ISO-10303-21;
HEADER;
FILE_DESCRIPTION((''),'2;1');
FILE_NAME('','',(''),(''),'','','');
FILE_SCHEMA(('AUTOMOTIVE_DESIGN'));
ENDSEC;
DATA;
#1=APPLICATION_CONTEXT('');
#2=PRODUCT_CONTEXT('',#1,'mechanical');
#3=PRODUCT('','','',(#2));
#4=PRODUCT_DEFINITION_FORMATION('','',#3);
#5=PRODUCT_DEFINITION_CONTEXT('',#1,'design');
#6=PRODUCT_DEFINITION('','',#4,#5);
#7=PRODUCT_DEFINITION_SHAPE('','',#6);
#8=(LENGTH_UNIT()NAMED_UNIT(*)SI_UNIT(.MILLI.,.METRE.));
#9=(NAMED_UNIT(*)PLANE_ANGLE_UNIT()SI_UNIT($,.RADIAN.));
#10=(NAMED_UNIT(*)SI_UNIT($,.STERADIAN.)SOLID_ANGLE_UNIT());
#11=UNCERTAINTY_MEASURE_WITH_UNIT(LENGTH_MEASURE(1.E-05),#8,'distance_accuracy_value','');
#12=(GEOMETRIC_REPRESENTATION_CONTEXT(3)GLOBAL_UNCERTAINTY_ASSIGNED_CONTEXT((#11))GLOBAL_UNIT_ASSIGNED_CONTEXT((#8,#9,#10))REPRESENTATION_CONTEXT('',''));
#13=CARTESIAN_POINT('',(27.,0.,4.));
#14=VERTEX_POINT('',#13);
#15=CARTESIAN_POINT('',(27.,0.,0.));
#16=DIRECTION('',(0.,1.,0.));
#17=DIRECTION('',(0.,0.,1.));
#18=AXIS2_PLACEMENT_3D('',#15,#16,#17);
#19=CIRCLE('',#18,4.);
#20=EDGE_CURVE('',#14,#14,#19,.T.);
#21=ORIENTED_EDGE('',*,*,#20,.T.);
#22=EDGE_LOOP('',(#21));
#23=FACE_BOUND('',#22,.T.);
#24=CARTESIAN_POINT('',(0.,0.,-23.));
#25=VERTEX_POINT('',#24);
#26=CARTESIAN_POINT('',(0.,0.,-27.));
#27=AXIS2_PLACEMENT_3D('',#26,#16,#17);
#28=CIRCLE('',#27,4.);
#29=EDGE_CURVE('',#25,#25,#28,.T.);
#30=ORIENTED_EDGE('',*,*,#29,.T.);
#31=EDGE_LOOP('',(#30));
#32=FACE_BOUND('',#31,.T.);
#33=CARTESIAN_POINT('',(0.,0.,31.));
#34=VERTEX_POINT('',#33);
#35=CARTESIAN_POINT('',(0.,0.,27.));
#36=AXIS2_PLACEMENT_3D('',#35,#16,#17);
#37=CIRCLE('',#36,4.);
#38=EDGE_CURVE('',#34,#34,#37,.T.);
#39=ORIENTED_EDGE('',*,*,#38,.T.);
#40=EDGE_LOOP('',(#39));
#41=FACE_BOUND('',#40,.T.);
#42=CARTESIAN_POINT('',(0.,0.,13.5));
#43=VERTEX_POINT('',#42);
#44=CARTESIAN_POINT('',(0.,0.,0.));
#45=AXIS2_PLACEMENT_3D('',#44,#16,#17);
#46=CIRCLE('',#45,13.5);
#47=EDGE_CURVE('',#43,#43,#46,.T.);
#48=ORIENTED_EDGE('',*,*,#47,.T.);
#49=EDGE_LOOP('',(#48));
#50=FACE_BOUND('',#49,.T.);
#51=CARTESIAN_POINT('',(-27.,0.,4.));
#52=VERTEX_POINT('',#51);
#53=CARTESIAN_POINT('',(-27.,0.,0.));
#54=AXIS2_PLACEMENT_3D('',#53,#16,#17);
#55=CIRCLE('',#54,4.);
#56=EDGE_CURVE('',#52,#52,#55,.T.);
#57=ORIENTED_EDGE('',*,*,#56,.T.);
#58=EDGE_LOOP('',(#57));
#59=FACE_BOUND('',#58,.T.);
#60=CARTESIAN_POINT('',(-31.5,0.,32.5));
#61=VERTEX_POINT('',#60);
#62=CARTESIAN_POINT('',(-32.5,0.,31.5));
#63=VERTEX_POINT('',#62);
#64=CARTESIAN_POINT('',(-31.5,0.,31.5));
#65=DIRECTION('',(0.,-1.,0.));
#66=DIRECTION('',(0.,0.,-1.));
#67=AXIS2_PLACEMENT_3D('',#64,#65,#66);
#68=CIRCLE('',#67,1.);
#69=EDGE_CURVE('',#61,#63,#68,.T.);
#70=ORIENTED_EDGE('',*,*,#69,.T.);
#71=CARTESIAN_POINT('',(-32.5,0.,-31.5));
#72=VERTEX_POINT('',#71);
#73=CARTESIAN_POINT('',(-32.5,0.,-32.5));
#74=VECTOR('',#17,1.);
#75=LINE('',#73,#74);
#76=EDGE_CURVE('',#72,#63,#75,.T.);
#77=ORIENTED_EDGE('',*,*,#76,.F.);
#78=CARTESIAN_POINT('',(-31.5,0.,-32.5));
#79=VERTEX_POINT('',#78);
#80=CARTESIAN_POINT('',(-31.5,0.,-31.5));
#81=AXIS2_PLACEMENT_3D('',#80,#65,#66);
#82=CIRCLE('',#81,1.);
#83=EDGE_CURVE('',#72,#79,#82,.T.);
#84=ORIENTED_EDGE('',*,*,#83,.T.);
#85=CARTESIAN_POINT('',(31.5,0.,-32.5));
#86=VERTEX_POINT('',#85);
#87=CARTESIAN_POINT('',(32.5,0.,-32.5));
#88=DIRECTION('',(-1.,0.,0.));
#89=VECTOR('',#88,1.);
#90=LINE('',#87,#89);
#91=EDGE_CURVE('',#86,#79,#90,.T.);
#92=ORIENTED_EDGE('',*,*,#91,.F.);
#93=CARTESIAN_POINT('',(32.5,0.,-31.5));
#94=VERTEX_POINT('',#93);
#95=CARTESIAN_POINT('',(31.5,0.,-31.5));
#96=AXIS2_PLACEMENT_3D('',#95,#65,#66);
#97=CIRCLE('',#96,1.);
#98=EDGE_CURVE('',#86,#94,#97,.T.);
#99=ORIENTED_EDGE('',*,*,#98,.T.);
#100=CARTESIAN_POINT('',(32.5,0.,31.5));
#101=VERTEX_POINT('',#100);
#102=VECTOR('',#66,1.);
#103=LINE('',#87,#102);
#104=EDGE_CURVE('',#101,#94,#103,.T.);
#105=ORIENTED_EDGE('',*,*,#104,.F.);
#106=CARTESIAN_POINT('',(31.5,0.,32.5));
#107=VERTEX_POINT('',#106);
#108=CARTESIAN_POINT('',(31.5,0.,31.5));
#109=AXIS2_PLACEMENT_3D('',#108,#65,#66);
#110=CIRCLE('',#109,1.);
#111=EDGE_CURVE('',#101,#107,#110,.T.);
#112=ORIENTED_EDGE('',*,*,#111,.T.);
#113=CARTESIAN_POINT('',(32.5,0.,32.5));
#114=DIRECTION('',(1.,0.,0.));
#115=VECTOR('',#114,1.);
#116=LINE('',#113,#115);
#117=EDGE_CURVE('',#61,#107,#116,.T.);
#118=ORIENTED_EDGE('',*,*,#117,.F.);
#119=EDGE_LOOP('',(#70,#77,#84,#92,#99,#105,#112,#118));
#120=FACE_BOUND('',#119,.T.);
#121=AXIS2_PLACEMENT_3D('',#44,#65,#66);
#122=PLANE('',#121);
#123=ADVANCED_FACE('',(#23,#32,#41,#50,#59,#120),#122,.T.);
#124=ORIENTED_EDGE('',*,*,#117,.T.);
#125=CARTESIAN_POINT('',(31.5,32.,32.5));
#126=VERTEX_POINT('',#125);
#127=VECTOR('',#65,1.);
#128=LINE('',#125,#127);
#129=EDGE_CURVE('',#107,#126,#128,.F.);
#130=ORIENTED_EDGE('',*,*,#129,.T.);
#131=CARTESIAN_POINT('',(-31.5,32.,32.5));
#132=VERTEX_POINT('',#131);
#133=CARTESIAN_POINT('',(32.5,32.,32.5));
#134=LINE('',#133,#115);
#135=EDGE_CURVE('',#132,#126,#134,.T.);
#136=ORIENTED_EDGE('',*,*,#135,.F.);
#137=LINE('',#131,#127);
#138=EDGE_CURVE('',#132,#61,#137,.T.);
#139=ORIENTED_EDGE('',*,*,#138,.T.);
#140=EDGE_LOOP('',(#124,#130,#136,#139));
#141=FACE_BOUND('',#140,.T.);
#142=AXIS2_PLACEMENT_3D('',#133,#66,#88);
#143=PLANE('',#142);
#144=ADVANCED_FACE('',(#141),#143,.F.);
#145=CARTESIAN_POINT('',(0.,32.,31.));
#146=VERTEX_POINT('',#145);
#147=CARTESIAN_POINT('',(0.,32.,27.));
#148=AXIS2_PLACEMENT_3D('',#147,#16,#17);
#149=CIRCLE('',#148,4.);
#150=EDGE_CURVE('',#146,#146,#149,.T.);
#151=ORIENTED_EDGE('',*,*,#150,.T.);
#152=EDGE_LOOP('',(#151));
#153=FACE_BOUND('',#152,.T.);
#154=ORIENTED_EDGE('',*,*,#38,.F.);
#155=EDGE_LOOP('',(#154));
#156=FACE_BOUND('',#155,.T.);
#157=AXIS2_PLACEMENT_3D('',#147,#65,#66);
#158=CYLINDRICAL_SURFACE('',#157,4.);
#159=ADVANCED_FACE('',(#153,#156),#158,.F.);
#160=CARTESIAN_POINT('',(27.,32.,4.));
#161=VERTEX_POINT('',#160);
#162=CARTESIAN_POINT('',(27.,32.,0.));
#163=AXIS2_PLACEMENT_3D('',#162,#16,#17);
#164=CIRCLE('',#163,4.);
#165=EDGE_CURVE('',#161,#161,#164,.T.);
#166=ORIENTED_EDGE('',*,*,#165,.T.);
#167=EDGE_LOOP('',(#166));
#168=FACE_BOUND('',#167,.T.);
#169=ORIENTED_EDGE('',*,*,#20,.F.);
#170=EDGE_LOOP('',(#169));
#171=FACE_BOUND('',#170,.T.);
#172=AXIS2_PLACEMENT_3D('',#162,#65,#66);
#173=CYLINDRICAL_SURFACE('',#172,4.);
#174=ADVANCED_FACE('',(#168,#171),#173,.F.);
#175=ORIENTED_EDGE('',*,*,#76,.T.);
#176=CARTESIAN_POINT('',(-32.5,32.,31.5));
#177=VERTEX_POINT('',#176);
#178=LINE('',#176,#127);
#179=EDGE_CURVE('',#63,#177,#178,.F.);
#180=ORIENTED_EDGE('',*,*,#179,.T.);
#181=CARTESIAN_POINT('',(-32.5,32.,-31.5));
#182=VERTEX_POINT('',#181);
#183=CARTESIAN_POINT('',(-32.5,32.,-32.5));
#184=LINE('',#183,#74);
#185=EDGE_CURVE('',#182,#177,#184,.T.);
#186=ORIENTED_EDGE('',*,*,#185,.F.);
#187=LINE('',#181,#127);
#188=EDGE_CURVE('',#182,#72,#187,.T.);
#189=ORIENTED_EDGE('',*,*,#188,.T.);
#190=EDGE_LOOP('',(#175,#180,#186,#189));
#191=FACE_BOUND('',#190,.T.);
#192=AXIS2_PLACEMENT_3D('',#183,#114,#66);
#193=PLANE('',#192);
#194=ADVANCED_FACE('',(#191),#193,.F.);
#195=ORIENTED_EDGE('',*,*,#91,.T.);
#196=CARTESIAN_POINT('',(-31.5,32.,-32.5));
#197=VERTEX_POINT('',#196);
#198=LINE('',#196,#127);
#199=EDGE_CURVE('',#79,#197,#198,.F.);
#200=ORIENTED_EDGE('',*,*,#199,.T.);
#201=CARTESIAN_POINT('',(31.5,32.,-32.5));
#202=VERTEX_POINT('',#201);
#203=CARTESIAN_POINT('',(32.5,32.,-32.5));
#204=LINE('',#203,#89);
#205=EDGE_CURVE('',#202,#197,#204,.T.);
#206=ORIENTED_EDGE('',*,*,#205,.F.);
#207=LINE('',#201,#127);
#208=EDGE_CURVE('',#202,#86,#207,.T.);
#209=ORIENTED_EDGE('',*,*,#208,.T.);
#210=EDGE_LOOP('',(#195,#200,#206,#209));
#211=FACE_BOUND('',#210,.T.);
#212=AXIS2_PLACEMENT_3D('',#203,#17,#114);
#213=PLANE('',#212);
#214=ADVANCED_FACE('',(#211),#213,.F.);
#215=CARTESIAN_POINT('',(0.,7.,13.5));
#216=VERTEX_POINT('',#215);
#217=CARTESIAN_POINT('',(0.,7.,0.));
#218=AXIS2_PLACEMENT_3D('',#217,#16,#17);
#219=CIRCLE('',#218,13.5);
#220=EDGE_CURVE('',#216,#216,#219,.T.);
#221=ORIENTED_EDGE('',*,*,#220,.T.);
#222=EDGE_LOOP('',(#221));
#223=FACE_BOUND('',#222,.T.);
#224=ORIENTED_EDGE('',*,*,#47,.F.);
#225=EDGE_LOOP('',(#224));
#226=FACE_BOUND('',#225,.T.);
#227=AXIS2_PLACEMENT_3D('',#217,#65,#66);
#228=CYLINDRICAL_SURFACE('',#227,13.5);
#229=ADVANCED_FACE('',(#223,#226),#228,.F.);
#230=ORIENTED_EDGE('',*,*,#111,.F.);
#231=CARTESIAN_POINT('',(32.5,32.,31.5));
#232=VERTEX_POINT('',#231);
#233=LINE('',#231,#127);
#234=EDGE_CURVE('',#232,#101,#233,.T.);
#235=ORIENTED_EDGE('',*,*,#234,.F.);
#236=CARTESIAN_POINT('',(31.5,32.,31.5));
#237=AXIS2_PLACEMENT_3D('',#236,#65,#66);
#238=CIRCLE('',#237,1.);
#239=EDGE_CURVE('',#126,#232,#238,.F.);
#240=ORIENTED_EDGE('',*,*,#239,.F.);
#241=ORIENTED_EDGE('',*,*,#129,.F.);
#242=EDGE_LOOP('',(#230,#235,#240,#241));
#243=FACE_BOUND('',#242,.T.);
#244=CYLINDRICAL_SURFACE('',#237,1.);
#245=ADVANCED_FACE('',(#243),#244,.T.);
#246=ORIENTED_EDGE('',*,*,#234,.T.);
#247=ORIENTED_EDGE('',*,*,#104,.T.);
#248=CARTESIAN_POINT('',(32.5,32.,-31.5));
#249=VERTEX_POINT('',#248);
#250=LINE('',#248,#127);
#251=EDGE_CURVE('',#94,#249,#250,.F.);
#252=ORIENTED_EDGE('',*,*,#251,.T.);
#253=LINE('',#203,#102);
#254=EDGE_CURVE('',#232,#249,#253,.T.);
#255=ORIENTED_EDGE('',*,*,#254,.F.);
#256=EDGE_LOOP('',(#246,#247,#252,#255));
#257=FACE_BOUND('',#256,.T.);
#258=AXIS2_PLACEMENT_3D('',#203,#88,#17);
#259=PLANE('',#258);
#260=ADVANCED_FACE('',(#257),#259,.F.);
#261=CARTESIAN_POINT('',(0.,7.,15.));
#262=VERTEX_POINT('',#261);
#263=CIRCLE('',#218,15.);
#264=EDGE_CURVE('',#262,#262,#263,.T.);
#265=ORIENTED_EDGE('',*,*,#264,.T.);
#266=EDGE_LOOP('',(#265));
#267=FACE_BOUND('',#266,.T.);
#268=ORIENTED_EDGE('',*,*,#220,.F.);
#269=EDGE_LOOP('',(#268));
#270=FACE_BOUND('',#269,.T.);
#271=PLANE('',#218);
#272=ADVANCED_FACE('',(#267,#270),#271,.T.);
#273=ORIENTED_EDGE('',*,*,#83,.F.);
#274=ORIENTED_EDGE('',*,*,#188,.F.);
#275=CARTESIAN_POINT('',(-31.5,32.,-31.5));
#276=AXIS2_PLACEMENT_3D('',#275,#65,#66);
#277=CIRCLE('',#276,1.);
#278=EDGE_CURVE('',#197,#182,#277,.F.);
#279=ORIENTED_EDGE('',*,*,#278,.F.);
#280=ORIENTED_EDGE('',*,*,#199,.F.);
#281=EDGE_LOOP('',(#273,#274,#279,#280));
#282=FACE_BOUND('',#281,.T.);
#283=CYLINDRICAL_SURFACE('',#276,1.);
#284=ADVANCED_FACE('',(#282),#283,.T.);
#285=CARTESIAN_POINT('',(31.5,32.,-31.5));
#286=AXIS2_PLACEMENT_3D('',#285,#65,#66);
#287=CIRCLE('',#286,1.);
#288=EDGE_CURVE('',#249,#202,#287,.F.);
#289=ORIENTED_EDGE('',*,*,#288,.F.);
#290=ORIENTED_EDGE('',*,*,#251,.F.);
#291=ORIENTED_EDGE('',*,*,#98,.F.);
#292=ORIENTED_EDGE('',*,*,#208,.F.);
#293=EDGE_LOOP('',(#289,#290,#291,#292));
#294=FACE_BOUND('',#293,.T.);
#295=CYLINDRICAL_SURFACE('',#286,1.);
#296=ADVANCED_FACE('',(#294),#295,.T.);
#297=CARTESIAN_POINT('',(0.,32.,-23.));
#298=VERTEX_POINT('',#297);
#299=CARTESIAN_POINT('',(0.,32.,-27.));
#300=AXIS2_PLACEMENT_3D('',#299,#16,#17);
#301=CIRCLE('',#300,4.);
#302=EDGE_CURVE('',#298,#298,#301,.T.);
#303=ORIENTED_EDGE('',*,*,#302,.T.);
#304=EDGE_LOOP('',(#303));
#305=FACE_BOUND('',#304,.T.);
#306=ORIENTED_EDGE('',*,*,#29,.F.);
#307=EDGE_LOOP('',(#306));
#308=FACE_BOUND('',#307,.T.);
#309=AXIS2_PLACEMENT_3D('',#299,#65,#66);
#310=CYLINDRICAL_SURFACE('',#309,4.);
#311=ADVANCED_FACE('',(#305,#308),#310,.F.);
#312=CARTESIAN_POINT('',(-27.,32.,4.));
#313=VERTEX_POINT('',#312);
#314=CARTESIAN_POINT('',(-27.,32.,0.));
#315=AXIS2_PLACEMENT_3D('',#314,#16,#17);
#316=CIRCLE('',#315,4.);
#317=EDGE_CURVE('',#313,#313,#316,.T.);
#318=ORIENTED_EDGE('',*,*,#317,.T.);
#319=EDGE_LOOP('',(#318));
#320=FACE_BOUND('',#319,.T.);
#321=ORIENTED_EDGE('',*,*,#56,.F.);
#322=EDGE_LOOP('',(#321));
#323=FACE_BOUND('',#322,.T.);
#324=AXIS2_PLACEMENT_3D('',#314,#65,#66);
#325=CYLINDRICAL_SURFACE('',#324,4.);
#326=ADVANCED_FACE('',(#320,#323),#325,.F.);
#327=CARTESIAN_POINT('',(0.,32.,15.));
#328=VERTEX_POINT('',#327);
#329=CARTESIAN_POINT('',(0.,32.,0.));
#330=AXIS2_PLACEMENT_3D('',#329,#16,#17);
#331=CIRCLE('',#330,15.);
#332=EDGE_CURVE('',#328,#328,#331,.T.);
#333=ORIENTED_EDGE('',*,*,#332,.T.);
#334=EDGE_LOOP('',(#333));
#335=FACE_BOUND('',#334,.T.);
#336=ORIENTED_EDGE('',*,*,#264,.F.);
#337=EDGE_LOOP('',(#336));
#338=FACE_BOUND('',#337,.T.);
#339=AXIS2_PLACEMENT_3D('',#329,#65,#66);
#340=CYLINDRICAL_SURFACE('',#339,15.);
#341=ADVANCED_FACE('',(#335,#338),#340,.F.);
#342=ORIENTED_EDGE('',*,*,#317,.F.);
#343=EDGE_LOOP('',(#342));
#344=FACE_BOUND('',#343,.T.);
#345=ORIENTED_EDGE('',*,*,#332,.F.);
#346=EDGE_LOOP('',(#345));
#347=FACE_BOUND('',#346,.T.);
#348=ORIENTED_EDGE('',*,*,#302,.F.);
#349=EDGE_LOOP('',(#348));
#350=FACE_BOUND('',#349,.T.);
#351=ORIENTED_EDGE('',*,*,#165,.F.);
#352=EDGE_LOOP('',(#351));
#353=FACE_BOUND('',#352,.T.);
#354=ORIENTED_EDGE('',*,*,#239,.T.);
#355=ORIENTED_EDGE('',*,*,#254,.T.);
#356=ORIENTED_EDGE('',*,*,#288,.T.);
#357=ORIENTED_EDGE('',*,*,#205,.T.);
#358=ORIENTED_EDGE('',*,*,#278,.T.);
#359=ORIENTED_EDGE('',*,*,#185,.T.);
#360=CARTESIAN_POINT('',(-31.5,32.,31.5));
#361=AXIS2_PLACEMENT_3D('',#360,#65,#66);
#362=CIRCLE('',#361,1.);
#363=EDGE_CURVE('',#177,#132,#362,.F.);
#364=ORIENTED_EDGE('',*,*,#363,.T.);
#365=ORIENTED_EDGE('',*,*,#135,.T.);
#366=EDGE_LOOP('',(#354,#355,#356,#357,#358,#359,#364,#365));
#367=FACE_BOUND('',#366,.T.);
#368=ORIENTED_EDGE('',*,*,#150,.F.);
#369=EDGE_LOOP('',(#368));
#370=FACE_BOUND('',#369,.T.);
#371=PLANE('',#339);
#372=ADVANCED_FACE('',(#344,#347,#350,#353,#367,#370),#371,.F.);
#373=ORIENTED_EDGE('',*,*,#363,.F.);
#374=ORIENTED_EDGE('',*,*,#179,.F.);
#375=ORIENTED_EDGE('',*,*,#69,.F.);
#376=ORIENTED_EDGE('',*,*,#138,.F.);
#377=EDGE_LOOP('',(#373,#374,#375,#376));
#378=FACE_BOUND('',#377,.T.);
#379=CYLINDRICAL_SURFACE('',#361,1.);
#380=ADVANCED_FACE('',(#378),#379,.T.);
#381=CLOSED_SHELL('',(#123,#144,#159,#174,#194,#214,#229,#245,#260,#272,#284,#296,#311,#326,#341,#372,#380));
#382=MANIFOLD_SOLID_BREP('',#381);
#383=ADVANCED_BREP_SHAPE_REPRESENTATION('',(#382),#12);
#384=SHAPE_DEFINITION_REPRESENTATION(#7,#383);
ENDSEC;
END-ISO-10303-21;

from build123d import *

# Parameters (mm, degrees)
CROQUIS2_W              = 65
CROQUIS2_H              = 65
CROQUIS2_R              = 15
CROQUIS2_R_2            = 4
SALIENTE_EXTRUIR1_DEPTH = 32
CROQUIS3_R              = 15
CROQUIS3_R_2            = 13.5
SALIENTE_EXTRUIR2_DEPTH = 7
REDONDEO1_R             = 1


with BuildPart() as part:
    # Croquis2 → Saliente-Extruir1 (new body)
    with BuildSketch(Plane(origin=(0, 0, 0), x_dir=(1, 0, 0), z_dir=(0, 1, 0))):
        Rectangle(CROQUIS2_W, CROQUIS2_H)
        with Locations(Location((0, 0, 0), (0, 0, 270))):
            Circle(CROQUIS2_R, mode=Mode.SUBTRACT)
        with Locations(Location((-27, 0, 0), (0, 0, 270))):
            Circle(CROQUIS2_R_2, mode=Mode.SUBTRACT)
        with Locations(Location((27, 0, 0), (0, 0, 270))):
            Circle(CROQUIS2_R_2, mode=Mode.SUBTRACT)
        with Locations(Location((0, 27, 0), (0, 0, 270))):
            Circle(CROQUIS2_R_2, mode=Mode.SUBTRACT)
        with Locations(Location((0, -27, 0), (0, 0, 270))):
            Circle(CROQUIS2_R_2, mode=Mode.SUBTRACT)
    extrude(amount=SALIENTE_EXTRUIR1_DEPTH)

    # Croquis3 → Saliente-Extruir2 (add)
    with BuildSketch(Plane(origin=(0, 0, 0), x_dir=(1, 0, 0), z_dir=(0, 1, 0))):
        with Locations(Location((0, 0, 0), (0, 0, 270))):
            Circle(CROQUIS3_R)
        with Locations(Location((0, 0, 0), (0, 0, 270))):
            Circle(CROQUIS3_R_2, mode=Mode.SUBTRACT)
    extrude(amount=SALIENTE_EXTRUIR2_DEPTH)

    # Redondeo1
    redondeo1_edges = [part.edges().sort_by_distance(p)[0] for p in [
        (-32.5, 16, -32.5),
        (32.5, 16, -32.5),
        (32.5, 16, 32.5),
        (-32.5, 16, 32.5),
    ]]
    fillet(redondeo1_edges, radius=REDONDEO1_R)


solid = part.part
